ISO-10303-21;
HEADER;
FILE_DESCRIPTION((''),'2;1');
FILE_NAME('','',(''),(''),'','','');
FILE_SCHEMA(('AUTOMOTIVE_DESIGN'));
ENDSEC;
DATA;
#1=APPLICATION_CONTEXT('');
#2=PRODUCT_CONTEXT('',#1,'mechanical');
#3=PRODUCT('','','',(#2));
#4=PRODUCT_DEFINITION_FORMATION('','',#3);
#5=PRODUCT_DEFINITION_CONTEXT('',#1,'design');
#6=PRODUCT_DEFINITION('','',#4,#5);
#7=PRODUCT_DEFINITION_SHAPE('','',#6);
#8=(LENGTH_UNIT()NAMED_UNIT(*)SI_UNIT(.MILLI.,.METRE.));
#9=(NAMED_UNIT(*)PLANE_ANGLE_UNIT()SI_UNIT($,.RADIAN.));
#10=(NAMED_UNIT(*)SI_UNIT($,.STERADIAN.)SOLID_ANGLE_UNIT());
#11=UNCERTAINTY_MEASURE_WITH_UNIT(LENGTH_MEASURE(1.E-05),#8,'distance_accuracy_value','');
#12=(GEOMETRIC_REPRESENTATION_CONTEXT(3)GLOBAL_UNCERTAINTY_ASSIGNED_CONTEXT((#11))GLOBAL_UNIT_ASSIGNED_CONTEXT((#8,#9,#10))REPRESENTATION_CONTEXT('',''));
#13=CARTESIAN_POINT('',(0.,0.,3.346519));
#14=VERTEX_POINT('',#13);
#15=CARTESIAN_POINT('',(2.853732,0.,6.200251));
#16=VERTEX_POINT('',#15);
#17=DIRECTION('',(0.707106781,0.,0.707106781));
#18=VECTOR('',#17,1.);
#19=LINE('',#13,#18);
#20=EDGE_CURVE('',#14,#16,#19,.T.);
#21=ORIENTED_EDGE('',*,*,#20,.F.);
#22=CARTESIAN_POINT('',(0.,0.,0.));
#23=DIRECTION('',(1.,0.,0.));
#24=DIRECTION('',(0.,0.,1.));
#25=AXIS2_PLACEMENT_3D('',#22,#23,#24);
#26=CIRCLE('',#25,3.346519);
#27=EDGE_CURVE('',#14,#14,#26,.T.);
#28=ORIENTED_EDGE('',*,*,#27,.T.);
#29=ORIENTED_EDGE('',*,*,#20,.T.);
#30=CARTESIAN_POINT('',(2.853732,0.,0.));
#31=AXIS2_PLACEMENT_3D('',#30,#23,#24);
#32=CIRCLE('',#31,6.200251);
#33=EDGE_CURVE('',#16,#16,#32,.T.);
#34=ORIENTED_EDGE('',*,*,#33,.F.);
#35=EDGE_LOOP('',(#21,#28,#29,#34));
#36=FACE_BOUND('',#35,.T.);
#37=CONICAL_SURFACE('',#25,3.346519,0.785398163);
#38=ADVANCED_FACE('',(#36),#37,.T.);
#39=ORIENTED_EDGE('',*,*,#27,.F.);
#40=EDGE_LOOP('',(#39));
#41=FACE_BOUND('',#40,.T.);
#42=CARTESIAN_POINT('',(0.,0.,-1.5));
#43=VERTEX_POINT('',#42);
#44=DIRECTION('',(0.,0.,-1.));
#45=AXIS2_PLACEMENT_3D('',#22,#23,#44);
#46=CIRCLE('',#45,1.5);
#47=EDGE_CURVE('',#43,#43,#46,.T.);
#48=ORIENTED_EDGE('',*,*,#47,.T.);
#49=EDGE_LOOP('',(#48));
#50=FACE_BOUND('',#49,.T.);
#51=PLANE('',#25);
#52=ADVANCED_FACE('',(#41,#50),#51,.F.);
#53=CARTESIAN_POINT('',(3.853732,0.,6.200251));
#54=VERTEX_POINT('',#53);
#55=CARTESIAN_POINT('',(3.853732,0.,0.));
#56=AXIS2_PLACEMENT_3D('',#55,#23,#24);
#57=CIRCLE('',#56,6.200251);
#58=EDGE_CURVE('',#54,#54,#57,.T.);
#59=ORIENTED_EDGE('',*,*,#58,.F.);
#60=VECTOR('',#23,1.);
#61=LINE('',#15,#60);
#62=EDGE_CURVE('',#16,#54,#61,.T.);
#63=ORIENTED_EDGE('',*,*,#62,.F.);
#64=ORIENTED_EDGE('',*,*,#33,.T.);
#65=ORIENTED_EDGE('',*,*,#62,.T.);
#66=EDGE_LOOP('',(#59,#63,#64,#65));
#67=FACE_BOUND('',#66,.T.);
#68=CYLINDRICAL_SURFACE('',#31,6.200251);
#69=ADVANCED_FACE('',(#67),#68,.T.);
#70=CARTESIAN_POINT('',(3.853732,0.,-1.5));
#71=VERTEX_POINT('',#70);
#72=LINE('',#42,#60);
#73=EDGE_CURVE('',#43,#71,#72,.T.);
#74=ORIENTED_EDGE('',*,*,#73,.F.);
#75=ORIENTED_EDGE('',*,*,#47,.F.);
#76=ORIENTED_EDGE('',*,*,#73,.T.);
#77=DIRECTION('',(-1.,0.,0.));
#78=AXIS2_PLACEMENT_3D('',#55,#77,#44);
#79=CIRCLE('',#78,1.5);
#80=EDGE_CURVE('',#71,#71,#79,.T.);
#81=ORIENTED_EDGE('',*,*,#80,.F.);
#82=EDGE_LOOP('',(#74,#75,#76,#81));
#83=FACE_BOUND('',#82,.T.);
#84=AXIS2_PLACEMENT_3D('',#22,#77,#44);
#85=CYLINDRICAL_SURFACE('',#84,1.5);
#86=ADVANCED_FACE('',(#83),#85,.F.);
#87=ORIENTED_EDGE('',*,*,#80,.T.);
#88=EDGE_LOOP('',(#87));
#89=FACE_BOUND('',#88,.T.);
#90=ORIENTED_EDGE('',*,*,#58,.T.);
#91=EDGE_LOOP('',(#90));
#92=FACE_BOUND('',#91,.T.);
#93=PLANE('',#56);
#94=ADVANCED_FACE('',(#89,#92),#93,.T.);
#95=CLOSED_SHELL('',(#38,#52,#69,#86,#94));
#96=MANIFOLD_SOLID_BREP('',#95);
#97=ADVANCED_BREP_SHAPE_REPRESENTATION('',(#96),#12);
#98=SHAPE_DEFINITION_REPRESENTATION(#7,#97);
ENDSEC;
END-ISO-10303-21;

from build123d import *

# Parameters (mm, degrees)
CYLINDER_R           = 1.5
CYLINDER_DEPTH       = 10
CYLINDER_PITCH_ANGLE = 90


with BuildPart() as screwcutout:
    # Cylinder → Cylinder (new body)
    with BuildSketch(Plane.XY):
        Circle(CYLINDER_R)
    extrude(amount=CYLINDER_DEPTH)


with BuildPart() as screwcutout_1:
    # Cylinder pitch: moved
    add(screwcutout.part.rotate(Axis((0, 0, 0), (0, 1, 0)), CYLINDER_PITCH_ANGLE))


with BuildPart() as screwcutout_2:
    # Cylinder placement: moved
    add(screwcutout_1.part)


with BuildPart() as innerrace001:
    # Sketch002 → Revolution002 (revolve)
    with BuildSketch(Plane.XZ):
        Polygon((0, 3.346519), (2.853732, 6.200251), (3.853732, 6.200251), (3.853732, 0), (0, 0), align=None)
    revolve(axis=Axis((0, 0, 0), (1, 0, 0)))

    # Cut002: cut ScrewCutout
    add(screwcutout_2.part, mode=Mode.SUBTRACT)


solid = innerrace001.part
